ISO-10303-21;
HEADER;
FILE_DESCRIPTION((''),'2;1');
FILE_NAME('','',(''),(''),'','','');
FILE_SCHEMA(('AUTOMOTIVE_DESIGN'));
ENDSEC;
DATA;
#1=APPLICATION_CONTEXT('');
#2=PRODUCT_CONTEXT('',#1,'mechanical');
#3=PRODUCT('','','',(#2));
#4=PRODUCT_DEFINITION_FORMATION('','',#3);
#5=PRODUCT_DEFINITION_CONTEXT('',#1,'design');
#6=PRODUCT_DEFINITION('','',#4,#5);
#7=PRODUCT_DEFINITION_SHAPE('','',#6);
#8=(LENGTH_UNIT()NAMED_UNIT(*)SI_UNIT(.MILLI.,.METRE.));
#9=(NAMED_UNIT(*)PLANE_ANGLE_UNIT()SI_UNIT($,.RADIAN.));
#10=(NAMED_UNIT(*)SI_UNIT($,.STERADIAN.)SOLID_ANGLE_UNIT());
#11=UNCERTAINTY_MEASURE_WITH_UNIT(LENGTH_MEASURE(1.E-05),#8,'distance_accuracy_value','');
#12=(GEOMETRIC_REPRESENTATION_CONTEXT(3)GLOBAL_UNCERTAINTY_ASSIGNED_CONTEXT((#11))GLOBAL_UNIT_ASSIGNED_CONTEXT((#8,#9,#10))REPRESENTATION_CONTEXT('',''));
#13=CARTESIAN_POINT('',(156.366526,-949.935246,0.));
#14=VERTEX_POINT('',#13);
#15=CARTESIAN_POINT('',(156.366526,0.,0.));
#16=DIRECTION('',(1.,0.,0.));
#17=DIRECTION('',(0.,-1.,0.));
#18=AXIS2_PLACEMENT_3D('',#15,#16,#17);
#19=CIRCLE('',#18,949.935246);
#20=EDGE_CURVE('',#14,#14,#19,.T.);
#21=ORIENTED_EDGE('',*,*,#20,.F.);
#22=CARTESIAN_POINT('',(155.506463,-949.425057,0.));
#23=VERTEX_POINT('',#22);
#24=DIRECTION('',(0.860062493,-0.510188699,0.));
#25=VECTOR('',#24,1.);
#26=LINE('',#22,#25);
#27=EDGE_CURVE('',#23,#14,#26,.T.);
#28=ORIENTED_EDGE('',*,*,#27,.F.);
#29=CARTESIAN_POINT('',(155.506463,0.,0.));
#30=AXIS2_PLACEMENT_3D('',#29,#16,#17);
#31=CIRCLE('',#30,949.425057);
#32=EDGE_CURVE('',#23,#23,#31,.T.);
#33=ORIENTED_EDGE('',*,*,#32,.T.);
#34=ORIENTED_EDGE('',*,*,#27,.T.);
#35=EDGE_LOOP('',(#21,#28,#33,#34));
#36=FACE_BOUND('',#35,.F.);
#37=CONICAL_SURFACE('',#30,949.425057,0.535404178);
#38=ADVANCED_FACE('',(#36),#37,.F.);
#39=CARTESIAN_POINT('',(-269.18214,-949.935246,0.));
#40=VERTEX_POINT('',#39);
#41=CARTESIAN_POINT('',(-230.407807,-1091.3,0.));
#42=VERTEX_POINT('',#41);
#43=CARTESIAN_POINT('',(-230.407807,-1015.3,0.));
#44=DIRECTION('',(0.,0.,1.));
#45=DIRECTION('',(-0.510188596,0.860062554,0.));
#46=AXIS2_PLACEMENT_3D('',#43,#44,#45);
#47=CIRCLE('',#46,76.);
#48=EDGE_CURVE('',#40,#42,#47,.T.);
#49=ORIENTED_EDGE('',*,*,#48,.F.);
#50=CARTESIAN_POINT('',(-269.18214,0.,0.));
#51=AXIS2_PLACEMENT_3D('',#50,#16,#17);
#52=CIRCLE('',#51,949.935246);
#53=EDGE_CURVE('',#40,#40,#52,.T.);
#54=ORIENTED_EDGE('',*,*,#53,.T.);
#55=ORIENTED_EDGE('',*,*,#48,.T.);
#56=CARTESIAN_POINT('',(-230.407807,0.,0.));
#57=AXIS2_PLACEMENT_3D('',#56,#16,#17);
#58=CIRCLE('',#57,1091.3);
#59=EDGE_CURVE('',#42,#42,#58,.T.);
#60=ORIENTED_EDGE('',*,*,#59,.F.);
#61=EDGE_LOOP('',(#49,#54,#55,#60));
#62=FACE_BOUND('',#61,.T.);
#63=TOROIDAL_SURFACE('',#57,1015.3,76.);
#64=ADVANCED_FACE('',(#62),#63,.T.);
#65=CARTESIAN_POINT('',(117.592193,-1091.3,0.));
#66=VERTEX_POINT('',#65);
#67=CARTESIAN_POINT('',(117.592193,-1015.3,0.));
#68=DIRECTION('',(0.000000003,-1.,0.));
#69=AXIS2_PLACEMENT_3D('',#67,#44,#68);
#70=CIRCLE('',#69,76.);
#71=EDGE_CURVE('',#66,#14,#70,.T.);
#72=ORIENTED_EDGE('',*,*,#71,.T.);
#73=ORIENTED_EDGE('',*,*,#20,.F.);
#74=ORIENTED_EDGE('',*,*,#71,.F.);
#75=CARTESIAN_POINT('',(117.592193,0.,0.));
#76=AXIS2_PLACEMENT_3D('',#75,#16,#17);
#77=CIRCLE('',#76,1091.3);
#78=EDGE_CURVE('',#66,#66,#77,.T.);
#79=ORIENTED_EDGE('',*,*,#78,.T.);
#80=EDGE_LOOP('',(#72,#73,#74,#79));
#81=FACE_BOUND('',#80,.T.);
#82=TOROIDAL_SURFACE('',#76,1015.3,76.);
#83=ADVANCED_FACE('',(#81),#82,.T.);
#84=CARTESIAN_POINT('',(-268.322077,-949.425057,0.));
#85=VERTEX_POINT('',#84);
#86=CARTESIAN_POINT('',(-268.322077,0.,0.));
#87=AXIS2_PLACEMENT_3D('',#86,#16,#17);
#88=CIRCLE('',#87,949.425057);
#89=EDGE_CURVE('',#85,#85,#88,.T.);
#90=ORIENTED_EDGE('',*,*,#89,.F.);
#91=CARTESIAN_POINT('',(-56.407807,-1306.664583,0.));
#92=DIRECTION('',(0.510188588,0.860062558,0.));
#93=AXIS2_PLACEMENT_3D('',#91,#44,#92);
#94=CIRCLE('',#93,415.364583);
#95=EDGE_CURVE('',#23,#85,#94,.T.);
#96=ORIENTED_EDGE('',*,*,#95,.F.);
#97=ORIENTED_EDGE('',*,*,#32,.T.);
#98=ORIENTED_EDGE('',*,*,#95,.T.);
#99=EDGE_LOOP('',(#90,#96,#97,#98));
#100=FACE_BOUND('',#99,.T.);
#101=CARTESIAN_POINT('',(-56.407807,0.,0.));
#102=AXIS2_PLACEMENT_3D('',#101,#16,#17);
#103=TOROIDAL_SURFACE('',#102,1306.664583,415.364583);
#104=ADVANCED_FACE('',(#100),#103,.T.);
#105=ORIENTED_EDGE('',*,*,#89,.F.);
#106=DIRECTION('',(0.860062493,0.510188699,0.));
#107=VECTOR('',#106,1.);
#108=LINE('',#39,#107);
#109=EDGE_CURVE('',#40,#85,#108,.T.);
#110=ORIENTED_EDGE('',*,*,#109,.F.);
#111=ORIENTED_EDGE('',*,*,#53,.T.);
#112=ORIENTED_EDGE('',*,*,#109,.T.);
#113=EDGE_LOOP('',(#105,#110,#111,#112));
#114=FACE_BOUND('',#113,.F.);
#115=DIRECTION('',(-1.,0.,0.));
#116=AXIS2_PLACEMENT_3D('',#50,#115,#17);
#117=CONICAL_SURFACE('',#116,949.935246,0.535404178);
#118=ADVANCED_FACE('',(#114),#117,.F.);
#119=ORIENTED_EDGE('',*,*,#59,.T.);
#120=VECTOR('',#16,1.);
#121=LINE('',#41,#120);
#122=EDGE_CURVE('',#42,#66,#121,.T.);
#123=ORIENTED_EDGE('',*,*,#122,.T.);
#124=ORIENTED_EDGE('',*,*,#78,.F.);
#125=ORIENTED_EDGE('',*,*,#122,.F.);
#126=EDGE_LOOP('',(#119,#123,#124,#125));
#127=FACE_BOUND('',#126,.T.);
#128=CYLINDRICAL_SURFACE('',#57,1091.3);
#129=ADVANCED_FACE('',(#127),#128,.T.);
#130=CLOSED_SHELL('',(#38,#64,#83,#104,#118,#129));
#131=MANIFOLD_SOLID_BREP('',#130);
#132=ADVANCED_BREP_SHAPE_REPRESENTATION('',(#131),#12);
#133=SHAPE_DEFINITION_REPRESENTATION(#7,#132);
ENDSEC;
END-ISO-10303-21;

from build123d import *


with BuildPart() as part:
    # Sketch → Revolution (revolve)
    with BuildSketch(Plane.XY):
        with BuildLine():
            Line((-230.407807, -1091.3), (117.592193, -1091.3))
            ThreePointArc((117.592193, -1091.3), (190.885171, -1035.403217), (156.366526, -949.935246))
            Line((155.506463, -949.425057), (156.366526, -949.935246))
            ThreePointArc((155.506463, -949.425057), (-56.407807, -891.3), (-268.322077, -949.425057))
            Line((-269.18214, -949.935246), (-268.322077, -949.425057))
            ThreePointArc((-269.18214, -949.935246), (-303.700785, -1035.403217), (-230.407807, -1091.3))
        make_face()
    revolve(axis=Axis((0, 0, 0), (1, 0, 0)))


solid = part.part
